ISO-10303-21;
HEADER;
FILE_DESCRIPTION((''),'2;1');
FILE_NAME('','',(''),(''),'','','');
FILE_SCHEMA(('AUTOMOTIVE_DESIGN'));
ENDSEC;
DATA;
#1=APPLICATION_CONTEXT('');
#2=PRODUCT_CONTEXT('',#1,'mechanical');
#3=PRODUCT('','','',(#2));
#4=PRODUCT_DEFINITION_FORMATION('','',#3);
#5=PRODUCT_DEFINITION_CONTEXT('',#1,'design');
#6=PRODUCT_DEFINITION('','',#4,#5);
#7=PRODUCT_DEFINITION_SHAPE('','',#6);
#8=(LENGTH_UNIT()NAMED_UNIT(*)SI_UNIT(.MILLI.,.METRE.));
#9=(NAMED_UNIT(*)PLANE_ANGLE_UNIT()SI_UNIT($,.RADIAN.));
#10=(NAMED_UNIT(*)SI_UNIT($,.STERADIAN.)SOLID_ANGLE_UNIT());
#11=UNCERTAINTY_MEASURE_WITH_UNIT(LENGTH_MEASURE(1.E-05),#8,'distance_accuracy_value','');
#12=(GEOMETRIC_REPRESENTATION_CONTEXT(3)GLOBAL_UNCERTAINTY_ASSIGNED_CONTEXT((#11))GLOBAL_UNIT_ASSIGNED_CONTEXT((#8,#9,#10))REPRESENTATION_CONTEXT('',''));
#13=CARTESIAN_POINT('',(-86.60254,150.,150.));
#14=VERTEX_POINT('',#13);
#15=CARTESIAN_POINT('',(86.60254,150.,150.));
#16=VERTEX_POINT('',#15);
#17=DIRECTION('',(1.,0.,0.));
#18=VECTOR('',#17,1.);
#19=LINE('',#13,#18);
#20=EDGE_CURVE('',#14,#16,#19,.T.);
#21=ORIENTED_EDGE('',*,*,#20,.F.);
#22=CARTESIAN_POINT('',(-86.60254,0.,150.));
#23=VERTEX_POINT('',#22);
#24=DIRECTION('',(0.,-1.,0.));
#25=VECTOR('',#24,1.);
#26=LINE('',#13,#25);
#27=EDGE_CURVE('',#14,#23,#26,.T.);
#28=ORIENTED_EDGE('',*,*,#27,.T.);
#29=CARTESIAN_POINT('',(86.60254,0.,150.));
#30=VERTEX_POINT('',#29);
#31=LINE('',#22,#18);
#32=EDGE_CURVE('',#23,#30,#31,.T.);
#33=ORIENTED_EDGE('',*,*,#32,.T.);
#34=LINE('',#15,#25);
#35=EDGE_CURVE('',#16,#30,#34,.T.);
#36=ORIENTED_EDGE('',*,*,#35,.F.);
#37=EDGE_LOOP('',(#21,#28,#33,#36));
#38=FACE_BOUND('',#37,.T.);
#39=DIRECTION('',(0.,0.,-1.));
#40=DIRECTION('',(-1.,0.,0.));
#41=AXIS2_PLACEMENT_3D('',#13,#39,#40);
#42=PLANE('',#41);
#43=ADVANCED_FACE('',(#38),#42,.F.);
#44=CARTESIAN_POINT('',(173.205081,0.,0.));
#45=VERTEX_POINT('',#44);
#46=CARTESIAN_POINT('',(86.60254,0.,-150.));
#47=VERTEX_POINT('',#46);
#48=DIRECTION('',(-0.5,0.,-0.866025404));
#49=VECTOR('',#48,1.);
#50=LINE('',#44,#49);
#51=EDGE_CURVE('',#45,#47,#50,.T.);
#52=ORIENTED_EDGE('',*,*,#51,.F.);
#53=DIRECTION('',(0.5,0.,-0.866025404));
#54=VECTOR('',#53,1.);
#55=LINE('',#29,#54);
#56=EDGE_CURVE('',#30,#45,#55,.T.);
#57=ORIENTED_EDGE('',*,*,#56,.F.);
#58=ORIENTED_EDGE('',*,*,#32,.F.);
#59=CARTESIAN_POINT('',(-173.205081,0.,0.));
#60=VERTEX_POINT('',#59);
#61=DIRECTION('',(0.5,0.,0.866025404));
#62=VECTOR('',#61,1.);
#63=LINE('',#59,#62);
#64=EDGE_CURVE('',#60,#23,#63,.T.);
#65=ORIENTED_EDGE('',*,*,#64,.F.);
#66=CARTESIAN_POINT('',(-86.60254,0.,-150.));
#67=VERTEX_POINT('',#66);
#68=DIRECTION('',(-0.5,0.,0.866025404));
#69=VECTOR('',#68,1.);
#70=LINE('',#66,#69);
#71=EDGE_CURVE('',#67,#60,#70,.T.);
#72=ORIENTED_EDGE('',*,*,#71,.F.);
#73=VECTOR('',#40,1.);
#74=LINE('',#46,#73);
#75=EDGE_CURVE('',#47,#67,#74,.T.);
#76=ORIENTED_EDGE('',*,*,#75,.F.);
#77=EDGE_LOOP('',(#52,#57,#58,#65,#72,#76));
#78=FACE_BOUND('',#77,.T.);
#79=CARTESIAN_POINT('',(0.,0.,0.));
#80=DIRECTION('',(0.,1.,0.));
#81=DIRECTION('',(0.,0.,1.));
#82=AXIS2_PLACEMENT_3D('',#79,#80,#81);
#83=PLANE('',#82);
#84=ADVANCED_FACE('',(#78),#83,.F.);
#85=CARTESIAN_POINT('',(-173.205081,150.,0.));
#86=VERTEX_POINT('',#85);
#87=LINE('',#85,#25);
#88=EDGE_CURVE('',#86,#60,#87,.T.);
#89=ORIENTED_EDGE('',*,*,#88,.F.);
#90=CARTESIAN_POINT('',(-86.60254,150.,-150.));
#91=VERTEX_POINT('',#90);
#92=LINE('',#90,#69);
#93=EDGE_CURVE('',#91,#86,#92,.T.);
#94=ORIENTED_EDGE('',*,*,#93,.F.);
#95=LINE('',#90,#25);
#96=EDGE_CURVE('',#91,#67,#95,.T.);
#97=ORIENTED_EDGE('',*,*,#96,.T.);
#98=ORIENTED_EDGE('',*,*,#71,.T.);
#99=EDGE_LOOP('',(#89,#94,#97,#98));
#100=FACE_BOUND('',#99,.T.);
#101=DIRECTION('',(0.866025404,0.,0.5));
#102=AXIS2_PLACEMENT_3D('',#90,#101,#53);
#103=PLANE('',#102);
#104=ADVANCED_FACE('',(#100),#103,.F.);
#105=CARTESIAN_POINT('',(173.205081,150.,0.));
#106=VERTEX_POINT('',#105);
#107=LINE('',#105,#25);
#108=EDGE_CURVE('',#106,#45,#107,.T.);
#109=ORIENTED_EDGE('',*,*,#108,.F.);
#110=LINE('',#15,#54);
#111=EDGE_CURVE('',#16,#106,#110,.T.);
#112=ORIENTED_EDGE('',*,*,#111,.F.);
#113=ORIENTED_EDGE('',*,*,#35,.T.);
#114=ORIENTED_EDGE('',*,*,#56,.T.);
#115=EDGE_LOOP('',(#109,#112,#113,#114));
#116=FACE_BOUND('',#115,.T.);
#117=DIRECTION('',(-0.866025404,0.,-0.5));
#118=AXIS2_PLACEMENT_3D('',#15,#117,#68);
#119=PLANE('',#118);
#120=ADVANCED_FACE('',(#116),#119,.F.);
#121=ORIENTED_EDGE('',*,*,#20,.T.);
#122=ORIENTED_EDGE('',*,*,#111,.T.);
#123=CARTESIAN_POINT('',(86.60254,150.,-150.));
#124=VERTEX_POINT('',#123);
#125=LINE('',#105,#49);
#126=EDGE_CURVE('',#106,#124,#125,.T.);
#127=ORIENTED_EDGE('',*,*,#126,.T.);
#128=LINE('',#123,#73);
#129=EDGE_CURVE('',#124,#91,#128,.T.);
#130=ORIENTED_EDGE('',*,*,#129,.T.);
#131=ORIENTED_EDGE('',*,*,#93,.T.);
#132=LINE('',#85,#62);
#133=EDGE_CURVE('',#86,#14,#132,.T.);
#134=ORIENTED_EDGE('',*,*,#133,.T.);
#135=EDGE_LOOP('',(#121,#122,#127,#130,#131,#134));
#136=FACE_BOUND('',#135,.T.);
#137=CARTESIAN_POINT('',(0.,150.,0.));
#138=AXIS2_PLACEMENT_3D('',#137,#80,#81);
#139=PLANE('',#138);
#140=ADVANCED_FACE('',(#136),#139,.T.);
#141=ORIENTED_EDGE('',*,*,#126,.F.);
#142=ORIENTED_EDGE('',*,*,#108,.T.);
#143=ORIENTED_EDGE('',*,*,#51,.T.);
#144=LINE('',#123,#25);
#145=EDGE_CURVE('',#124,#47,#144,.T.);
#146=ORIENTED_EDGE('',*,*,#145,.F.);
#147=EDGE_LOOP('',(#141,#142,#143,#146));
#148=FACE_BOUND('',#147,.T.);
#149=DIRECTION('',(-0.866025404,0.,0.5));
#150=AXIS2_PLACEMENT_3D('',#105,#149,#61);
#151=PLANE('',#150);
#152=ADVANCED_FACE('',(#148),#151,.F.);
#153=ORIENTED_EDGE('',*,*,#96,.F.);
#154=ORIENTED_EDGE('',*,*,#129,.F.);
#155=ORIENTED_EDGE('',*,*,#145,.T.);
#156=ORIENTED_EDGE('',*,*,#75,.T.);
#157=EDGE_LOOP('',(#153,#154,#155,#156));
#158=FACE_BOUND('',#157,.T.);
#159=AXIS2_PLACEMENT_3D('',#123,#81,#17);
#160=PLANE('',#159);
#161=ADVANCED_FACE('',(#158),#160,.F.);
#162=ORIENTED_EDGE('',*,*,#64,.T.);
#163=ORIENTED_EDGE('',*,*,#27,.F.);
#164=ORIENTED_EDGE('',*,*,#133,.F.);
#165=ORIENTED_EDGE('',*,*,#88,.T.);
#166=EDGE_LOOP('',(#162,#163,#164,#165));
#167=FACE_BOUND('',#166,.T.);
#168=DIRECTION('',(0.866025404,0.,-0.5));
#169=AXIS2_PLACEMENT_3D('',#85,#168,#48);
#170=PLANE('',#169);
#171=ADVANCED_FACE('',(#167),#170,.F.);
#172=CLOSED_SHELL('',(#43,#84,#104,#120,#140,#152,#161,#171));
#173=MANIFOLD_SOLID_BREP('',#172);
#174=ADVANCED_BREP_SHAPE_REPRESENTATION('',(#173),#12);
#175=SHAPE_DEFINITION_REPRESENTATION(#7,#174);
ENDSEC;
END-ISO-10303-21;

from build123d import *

# Parameters (mm, degrees)
EXTRUDE1_DEPTH = 150


with BuildPart() as part:
    # Sketch1 → Extrude1 (new body)
    with BuildSketch(Plane(origin=(0, 0, 0), x_dir=(1, 0, 0), z_dir=(0, 1, 0))):
        Polygon((-86.602540378, 150), (-173.205080757, 0), (-86.602540378, -150), (86.602540378, -150), (173.205080757, 0), (86.602540378, 150), align=None)
    extrude(amount=EXTRUDE1_DEPTH)


solid = part.part
